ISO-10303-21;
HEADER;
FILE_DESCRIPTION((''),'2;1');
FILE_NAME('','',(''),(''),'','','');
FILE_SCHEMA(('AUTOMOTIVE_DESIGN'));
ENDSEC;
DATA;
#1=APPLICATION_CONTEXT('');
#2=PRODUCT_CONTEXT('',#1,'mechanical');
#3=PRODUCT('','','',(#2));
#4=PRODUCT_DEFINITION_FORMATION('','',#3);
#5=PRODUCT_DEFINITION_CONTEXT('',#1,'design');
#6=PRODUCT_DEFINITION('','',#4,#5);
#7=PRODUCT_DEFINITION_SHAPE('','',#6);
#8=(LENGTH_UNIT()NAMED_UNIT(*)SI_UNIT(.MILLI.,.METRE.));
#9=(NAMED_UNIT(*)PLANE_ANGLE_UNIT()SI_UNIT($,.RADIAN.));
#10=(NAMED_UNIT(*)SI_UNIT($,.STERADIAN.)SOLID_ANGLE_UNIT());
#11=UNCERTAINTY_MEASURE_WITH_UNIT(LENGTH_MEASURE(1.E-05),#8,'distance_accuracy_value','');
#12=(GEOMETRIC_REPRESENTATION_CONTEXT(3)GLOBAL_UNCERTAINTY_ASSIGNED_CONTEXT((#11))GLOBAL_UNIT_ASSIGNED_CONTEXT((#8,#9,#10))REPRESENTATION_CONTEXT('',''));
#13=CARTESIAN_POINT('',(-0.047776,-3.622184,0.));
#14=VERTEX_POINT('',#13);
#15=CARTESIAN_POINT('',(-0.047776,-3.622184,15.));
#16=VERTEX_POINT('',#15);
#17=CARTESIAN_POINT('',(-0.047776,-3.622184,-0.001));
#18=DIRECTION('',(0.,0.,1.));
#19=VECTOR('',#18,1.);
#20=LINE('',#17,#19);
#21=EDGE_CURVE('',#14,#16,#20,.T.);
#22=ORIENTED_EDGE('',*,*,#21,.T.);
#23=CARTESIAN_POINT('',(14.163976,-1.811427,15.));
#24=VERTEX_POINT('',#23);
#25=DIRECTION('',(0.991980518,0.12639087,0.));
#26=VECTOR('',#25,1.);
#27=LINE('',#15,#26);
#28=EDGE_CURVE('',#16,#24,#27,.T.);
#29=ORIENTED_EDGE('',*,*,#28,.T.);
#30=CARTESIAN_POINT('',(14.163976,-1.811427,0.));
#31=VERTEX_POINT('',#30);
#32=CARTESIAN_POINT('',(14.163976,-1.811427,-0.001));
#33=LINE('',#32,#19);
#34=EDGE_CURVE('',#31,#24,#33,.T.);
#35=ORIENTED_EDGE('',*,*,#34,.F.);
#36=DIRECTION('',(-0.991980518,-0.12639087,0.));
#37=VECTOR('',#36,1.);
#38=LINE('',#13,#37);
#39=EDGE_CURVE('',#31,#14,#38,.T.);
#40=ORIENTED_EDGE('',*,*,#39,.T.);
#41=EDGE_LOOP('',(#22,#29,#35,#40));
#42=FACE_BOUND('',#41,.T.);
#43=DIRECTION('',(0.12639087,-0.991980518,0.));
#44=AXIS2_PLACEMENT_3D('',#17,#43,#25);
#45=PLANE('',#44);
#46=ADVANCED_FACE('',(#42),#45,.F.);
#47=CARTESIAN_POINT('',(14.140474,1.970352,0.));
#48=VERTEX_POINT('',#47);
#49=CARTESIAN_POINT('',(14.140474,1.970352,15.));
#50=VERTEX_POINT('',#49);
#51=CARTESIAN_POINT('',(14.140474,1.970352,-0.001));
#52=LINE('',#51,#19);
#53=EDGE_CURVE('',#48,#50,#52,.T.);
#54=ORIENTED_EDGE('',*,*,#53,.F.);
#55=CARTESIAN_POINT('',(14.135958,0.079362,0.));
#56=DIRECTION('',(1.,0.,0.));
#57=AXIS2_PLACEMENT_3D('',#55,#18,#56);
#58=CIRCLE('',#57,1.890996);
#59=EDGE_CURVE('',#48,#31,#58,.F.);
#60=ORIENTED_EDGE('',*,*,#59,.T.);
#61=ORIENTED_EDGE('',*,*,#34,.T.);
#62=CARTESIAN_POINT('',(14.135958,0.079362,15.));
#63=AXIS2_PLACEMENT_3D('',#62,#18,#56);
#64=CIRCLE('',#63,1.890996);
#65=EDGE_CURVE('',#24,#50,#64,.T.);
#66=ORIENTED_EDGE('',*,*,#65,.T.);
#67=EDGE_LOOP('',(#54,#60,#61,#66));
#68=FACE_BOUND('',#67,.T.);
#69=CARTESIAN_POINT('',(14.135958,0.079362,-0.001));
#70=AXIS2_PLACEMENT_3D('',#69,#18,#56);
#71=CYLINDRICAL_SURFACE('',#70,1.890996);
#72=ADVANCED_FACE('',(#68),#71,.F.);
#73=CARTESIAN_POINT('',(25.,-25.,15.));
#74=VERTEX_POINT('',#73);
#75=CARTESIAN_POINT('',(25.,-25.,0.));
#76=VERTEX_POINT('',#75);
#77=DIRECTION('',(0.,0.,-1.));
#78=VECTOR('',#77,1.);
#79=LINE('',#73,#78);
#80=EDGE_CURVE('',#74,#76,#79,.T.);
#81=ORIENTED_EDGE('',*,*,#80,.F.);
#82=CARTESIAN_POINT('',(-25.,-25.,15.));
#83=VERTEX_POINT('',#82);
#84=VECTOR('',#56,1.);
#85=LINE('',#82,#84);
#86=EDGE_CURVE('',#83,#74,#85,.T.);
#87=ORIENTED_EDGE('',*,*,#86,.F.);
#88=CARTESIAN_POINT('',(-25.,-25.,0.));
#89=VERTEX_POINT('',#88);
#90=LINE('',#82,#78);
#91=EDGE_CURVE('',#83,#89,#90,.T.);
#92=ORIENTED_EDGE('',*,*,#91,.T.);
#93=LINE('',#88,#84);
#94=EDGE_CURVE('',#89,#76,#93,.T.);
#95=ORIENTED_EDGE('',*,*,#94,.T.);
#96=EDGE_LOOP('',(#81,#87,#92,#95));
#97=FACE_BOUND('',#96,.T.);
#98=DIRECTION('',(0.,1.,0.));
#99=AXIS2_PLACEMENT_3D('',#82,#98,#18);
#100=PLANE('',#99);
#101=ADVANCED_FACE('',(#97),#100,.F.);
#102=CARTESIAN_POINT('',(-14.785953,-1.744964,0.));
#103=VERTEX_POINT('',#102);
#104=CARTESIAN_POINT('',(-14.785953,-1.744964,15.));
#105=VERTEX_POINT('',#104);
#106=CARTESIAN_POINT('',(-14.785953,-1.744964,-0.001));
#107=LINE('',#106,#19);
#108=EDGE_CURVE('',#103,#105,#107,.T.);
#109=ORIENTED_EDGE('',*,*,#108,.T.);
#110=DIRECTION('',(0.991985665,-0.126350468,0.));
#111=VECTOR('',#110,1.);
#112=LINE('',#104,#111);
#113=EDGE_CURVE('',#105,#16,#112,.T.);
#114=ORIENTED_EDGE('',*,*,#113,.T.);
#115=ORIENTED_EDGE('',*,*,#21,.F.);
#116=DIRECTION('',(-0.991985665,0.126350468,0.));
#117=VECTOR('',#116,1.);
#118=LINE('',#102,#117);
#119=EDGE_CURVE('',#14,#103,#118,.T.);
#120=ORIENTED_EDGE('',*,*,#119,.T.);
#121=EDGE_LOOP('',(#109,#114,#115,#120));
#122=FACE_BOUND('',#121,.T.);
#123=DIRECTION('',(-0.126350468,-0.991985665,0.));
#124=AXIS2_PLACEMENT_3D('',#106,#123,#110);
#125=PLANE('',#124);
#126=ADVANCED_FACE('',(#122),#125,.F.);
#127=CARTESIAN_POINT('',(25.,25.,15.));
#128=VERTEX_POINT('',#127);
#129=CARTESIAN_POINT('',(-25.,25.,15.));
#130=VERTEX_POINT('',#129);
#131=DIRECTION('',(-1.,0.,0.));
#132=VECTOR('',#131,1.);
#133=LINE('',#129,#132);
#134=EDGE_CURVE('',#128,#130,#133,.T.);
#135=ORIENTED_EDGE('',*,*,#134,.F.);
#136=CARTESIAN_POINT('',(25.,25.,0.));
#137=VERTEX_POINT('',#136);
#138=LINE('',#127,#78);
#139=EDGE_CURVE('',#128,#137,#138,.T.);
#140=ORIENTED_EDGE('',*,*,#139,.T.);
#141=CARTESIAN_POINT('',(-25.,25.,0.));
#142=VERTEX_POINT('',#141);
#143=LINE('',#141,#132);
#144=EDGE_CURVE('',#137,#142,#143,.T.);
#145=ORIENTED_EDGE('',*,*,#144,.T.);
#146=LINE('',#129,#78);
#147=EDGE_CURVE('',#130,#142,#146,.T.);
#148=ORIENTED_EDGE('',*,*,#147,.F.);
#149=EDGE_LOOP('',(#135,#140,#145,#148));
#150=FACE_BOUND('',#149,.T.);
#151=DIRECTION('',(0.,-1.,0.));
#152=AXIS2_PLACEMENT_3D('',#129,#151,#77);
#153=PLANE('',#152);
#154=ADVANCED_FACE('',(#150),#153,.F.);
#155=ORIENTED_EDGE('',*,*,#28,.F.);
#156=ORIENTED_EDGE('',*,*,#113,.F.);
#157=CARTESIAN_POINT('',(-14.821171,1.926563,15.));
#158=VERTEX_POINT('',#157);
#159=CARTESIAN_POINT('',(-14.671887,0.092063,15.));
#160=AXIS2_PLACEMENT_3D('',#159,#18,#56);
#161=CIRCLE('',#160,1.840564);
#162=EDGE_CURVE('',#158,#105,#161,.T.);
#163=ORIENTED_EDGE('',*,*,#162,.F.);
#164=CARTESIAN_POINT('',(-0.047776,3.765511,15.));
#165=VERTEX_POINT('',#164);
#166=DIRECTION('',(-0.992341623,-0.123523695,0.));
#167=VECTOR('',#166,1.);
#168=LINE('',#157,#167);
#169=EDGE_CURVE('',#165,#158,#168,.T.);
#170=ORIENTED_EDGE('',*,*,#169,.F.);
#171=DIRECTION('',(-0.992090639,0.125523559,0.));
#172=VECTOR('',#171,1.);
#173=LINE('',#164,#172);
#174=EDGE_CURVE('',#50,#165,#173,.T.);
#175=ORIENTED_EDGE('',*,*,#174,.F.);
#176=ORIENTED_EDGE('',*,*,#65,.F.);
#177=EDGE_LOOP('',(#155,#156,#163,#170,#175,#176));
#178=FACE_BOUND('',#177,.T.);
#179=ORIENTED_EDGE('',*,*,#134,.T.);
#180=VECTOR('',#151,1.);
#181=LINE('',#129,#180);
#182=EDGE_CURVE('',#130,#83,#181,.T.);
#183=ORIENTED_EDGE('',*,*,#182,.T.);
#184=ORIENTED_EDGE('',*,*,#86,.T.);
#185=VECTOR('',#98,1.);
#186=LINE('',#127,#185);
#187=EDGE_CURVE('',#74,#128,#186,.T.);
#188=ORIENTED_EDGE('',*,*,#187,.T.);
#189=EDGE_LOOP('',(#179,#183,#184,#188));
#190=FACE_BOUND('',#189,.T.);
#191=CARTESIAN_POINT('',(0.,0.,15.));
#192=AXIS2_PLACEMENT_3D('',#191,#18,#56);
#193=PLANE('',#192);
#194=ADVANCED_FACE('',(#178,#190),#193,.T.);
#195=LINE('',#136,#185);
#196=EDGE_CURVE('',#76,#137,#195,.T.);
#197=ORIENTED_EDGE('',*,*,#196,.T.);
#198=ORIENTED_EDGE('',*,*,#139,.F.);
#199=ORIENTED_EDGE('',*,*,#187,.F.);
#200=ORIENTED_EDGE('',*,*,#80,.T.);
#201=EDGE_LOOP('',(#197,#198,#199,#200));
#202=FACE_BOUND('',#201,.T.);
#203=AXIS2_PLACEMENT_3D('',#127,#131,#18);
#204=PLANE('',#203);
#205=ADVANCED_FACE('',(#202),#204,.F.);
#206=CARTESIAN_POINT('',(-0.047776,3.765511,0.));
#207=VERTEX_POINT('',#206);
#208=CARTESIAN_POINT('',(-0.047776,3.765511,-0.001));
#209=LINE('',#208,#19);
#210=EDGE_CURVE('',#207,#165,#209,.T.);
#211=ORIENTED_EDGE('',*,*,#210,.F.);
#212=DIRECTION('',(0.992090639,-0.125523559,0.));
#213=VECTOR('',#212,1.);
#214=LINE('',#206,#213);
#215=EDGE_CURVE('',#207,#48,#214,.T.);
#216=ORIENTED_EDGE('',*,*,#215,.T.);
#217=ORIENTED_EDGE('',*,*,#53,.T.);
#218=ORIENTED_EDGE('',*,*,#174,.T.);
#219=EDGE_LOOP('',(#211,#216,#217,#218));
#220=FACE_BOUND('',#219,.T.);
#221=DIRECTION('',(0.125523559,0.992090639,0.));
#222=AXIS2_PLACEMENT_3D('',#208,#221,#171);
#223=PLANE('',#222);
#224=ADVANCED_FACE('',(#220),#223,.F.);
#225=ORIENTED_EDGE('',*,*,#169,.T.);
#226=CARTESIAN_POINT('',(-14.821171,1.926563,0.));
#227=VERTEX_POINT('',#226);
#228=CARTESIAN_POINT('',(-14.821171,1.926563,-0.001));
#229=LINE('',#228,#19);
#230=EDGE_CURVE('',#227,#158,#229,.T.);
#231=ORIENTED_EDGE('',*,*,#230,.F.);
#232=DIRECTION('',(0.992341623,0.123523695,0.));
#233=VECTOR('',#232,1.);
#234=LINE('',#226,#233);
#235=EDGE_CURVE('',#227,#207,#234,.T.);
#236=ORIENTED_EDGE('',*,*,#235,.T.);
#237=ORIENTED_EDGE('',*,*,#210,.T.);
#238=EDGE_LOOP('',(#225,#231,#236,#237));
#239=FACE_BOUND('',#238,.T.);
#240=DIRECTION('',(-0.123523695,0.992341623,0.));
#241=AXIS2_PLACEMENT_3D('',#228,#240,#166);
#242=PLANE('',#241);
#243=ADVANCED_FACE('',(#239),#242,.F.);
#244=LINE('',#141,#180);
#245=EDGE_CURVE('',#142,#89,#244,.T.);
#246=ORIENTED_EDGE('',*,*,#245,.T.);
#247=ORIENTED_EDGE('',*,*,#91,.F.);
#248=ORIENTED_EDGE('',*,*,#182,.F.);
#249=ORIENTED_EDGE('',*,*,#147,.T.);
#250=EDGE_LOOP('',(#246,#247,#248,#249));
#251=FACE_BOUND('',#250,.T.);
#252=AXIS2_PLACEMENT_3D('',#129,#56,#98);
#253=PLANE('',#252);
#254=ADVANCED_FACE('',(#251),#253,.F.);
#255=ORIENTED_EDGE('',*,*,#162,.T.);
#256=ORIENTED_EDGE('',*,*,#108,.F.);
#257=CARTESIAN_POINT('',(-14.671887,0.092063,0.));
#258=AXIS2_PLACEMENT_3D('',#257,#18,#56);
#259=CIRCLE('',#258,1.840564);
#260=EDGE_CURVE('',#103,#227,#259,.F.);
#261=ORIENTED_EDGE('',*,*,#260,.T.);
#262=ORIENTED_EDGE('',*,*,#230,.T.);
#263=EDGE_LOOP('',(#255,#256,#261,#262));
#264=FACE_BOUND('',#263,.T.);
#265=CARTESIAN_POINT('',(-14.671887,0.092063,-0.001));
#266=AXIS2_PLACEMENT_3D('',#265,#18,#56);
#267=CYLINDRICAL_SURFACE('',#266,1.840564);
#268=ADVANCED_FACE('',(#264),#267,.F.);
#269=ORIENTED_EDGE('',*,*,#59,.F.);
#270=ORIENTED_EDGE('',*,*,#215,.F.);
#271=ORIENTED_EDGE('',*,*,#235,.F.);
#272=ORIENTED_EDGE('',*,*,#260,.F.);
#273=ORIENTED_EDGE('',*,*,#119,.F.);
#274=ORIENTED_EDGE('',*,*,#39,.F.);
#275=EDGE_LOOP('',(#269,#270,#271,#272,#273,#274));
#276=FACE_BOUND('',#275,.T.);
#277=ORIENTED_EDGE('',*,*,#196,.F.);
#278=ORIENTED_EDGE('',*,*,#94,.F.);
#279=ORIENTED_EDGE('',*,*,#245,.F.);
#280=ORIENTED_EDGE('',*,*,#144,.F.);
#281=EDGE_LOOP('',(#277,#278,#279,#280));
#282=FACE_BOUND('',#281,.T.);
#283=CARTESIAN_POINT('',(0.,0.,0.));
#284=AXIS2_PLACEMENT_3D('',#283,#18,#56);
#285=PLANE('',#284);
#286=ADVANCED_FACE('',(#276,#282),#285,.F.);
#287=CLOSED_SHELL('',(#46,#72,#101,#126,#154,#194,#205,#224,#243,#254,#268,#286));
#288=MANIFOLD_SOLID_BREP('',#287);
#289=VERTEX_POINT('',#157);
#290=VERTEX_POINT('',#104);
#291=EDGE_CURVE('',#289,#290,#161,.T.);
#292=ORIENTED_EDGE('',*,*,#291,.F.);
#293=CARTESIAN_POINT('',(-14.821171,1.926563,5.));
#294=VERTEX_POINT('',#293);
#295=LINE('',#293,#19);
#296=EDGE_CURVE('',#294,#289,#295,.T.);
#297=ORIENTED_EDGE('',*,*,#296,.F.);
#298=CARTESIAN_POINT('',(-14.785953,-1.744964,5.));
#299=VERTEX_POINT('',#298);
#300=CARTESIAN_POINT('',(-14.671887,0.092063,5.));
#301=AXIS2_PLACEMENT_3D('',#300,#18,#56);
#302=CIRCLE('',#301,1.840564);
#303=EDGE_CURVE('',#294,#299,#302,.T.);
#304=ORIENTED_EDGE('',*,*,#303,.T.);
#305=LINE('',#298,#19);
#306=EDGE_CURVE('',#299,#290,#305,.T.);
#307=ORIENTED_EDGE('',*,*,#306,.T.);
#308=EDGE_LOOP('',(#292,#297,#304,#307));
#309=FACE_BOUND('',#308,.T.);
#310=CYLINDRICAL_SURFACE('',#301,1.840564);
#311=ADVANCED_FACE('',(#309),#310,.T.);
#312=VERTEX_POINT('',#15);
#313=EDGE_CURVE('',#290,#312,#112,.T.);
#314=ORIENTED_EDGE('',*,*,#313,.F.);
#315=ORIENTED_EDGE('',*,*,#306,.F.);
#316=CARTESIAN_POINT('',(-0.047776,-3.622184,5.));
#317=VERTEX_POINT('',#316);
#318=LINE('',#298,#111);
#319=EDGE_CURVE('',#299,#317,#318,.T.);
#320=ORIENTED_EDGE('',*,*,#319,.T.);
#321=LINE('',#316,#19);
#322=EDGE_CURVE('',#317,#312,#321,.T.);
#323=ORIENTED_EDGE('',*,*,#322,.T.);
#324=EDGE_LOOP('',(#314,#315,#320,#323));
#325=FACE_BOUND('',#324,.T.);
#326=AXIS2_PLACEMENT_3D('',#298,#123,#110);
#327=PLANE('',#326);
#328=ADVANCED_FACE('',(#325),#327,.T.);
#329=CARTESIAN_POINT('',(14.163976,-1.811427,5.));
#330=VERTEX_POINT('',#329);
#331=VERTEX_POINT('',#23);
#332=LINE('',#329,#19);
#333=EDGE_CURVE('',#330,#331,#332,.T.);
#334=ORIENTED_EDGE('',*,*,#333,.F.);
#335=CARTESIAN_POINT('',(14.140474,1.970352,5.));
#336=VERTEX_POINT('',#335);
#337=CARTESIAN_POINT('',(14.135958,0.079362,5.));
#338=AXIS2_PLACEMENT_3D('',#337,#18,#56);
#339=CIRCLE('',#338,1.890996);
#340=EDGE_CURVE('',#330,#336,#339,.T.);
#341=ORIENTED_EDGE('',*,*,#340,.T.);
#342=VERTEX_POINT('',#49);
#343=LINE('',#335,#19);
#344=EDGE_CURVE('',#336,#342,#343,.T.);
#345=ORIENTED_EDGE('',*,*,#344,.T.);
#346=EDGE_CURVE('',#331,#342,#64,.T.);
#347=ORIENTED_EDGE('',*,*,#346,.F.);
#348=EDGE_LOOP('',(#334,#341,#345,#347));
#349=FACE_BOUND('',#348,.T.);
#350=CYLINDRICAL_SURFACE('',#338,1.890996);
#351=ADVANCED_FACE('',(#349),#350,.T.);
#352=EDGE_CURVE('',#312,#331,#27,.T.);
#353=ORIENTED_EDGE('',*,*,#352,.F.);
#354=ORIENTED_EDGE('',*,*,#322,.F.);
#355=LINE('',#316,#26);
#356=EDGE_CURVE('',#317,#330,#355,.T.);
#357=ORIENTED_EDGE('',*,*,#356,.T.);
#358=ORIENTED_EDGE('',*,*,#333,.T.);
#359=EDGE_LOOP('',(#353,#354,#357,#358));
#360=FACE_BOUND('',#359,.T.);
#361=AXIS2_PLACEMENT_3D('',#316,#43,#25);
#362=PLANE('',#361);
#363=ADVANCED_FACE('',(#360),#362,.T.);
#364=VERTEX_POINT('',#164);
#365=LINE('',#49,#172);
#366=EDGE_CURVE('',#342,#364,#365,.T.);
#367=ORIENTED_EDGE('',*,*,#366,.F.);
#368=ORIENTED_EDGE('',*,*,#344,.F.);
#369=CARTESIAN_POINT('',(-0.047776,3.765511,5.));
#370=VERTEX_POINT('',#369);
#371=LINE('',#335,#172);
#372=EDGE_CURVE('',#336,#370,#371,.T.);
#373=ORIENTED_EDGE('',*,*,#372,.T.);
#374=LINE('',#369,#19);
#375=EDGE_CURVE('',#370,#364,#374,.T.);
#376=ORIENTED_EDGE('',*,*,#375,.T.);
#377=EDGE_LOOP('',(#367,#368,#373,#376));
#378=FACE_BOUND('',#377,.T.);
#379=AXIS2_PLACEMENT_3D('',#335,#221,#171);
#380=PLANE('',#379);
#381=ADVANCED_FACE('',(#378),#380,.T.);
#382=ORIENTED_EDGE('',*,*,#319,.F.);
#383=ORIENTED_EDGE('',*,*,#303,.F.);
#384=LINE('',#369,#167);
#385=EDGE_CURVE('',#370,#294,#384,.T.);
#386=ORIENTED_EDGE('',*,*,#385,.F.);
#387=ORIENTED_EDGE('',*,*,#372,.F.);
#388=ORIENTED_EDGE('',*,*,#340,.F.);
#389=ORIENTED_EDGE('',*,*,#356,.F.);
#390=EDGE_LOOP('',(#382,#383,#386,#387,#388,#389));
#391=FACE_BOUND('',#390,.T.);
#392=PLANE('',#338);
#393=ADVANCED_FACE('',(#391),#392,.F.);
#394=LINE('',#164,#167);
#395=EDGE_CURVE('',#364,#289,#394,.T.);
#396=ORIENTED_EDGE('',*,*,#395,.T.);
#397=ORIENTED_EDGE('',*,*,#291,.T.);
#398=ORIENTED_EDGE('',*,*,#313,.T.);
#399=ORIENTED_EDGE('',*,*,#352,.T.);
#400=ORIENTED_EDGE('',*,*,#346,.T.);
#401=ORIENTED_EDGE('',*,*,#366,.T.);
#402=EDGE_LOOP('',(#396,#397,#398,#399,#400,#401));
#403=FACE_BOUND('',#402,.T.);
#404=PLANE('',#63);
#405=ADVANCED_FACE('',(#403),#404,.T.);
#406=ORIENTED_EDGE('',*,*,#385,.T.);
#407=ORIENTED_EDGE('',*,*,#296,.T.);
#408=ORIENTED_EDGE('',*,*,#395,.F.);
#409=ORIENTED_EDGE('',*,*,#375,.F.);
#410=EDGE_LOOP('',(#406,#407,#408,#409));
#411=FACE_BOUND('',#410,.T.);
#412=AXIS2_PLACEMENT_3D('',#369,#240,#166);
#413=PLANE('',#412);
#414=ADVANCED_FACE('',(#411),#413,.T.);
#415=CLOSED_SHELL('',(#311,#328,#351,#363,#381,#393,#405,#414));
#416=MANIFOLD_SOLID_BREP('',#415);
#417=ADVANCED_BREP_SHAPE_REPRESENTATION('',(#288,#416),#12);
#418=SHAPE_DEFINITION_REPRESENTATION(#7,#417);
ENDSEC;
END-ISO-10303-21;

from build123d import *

# Parameters (mm, degrees)
SKETCH_1_W          = 50
SKETCH_1_H          = 50
EXTRUDE_1_DEPTH     = 15
CUT_EXTRUDE_1_REACH = 40.406
EXTRUDE_3_DEPTH     = 10


with BuildPart() as part:
    # 草图1 → 凸台-拉伸1 (new body)
    with BuildSketch(Plane.XY):
        Rectangle(SKETCH_1_W, SKETCH_1_H)
    extrude(amount=EXTRUDE_1_DEPTH)

    # 草图2 → 切除-拉伸1 (cut, up to next)
    with BuildSketch(Plane.XY.offset(15), mode=Mode.PRIVATE) as cut_extrude_1_sk1:
        with BuildLine():
            Line((-14.785952776, -1.74496373), (-0.047775551, -3.622183986))
            Line((-0.047775551, -3.622183986), (14.163975636, -1.811427055))
            ThreePointArc((14.163975636, -1.811427055), (16.026917864, 0.091112846), (14.140474077, 1.970352496))
            Line((14.140474077, 1.970352496), (-0.047775551, 3.765510639))
            Line((-0.047775551, 3.765510639), (-14.821170511, 1.926562958))
            ThreePointArc((-14.821170511, 1.926562958), (-16.512366288, 0.07440855), (-14.785952776, -1.74496373))
        make_face()
    cut_extrude_1_tool1 = extrude(cut_extrude_1_sk1.sketch, amount=-CUT_EXTRUDE_1_REACH, mode=Mode.PRIVATE) & part.part
    add(cut_extrude_1_tool1.solids().sort_by_distance((-0.185871, 0.078308, 15))[0], mode=Mode.SUBTRACT)


with BuildPart() as body_2:
    # 草图3 → 凸台-拉伸3 (new body)
    with BuildSketch(Plane.XY.offset(15)):
        with BuildLine():
            Line((14.140474077, 1.970352496), (-0.047775551, 3.765510639))
            Line((-0.047775551, 3.765510639), (-14.821170511, 1.926562958))
            ThreePointArc((-14.821170511, 1.926562958), (-16.512366288, 0.07440855), (-14.785952776, -1.74496373))
            Line((-14.785952776, -1.74496373), (-0.047775551, -3.622183986))
            Line((-0.047775551, -3.622183986), (14.163975636, -1.811427055))
            ThreePointArc((14.163975636, -1.811427055), (16.026917864, 0.091112846), (14.140474077, 1.970352496))
        make_face()
    extrude(amount=-EXTRUDE_3_DEPTH)


solid = Compound([part.part, body_2.part])
